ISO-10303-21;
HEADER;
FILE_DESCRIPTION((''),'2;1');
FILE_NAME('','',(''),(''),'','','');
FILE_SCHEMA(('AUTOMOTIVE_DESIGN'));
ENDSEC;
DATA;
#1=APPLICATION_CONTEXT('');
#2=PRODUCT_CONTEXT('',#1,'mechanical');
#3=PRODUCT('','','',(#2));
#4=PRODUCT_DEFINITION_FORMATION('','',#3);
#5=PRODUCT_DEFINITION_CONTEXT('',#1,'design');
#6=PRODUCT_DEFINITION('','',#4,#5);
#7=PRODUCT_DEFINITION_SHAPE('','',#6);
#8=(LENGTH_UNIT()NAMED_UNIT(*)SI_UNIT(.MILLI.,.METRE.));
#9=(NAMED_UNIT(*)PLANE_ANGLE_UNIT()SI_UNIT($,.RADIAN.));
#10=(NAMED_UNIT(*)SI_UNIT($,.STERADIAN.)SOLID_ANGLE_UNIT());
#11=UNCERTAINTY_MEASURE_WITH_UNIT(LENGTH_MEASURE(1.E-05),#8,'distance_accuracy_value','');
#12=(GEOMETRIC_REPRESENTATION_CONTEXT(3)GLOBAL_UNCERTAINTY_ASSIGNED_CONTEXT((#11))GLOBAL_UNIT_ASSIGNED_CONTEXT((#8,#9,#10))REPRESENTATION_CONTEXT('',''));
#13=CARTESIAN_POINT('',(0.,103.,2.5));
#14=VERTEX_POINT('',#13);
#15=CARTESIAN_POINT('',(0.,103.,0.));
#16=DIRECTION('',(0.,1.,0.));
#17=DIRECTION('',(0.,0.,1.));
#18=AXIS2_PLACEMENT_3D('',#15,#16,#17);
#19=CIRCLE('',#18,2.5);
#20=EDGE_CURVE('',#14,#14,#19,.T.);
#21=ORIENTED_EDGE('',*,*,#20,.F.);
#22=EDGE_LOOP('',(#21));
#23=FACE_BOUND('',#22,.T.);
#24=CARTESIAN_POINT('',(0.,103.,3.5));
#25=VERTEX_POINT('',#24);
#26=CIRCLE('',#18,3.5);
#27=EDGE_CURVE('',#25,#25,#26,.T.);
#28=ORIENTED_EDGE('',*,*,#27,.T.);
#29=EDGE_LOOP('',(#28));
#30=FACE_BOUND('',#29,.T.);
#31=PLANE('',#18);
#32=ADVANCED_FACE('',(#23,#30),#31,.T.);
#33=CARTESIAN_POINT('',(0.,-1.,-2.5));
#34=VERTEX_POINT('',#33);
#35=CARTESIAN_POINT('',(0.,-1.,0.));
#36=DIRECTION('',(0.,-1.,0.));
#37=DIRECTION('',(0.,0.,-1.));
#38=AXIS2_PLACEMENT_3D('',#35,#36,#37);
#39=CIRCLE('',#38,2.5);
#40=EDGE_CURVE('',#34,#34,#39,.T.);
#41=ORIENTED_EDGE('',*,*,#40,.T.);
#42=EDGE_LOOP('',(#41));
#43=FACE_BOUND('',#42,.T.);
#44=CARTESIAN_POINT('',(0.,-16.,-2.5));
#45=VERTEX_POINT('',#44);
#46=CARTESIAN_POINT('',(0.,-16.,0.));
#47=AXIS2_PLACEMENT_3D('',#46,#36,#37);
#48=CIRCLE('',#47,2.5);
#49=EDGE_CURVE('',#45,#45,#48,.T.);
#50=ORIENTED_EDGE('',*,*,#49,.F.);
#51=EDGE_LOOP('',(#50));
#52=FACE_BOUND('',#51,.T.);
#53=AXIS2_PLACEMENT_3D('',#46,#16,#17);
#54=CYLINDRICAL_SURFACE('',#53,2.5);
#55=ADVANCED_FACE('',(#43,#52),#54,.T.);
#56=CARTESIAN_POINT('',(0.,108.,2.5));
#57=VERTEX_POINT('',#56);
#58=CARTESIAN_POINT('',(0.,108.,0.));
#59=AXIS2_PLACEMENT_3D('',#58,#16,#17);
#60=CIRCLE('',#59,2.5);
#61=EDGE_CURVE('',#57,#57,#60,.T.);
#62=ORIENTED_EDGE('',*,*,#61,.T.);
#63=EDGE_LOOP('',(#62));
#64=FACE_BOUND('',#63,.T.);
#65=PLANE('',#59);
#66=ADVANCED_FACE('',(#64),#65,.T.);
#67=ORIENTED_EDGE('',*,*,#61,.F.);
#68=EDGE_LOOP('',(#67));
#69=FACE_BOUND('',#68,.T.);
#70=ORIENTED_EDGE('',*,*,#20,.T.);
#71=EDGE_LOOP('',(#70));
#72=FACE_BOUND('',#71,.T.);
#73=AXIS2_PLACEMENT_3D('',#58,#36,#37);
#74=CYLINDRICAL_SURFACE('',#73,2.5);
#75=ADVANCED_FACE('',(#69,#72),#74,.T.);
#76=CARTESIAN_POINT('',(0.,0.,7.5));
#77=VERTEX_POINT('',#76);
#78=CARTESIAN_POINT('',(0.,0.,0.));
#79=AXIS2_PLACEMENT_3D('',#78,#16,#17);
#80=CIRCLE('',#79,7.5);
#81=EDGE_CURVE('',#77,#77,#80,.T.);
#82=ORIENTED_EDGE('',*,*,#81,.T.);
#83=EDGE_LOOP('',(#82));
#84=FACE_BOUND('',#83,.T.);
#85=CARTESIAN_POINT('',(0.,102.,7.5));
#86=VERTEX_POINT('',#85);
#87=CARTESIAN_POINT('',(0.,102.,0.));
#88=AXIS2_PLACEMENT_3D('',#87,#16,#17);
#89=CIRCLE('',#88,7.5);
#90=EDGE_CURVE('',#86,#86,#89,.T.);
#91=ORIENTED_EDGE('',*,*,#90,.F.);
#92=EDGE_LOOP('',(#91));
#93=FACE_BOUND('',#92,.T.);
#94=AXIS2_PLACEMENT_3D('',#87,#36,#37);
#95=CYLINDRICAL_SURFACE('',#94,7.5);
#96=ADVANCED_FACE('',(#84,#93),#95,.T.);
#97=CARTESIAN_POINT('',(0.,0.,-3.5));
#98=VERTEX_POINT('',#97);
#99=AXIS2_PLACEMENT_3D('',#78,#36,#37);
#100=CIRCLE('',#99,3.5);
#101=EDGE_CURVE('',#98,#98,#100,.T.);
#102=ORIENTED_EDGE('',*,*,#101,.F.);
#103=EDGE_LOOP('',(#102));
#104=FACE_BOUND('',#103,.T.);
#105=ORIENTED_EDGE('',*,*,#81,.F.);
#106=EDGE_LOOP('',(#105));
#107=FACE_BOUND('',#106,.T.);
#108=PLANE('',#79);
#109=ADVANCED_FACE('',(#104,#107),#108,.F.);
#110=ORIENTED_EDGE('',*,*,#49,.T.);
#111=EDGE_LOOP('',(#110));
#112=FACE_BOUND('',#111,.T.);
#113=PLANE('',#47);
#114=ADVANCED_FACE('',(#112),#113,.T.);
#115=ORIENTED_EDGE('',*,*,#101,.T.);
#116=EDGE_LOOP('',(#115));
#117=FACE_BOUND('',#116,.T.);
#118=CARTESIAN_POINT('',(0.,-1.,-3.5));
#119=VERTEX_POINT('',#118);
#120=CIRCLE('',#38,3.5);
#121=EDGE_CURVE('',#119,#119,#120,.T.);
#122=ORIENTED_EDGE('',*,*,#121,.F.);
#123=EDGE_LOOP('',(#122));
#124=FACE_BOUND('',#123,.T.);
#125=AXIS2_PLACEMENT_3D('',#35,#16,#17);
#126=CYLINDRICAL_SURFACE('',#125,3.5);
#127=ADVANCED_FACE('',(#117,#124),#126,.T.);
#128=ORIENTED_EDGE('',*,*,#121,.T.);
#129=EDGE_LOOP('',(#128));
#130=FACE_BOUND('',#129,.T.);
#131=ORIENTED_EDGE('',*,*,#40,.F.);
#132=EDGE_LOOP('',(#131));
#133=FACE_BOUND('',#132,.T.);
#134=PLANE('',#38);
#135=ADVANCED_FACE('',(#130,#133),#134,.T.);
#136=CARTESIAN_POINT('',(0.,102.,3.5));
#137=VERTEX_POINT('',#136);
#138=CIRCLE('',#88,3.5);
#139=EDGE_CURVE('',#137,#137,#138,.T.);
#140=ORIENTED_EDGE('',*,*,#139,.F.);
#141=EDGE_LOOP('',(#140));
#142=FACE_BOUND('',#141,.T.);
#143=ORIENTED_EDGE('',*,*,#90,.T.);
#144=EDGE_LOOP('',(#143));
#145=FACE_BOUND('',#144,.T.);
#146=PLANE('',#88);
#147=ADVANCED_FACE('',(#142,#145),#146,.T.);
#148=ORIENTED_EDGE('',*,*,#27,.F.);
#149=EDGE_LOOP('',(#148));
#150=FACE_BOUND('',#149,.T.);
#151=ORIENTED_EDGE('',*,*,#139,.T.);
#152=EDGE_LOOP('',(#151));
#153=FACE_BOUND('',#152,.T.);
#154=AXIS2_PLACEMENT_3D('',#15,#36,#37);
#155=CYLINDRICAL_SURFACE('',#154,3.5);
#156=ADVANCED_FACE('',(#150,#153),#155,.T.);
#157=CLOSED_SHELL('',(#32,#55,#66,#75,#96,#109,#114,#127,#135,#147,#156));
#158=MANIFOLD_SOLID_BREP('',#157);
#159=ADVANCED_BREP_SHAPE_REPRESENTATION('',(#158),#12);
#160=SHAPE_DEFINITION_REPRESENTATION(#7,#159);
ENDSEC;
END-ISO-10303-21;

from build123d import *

# Parameters (mm, degrees)
SKETCH1_R           = 7.5
BOSS_EXTRUDE1_DEPTH = 102
SKETCH2_R           = 3.5
BOSS_EXTRUDE2_DEPTH = 1
SKETCH3_R           = 2.5
BOSS_EXTRUDE3_DEPTH = 15
BOSS_EXTRUDE4_START = 1
SKETCH4_R           = 3.5
BOSS_EXTRUDE4_DEPTH = 1
BOSS_EXTRUDE5_START = 5
SKETCH5_R           = 2.5
BOSS_EXTRUDE5_DEPTH = 5


with BuildPart() as part:
    # Sketch1 → Boss-Extrude1 (new body)
    with BuildSketch(Plane(origin=(0, 0, 0), x_dir=(1, 0, 0), z_dir=(0, 1, 0))):
        with Locations(Location((0, 0, 0), (0, 0, 270))):
            Circle(SKETCH1_R)
    extrude(amount=BOSS_EXTRUDE1_DEPTH)

    # Sketch2 → Boss-Extrude2 (add)
    with BuildSketch(Plane.XZ):
        with Locations(Location((0, 0, 0), (0, 0, 270))):
            Circle(SKETCH2_R)
    extrude(amount=BOSS_EXTRUDE2_DEPTH)

    # Sketch3 → Boss-Extrude3 (add)
    with BuildSketch(Plane.XZ.offset(1)):
        with Locations(Location((0, 0, 0), (0, 0, 270))):
            Circle(SKETCH3_R)
    extrude(amount=BOSS_EXTRUDE3_DEPTH)

    # Sketch4 → Boss-Extrude4 (add)
    with BuildSketch(Plane(origin=(0, 102, 0), x_dir=(1, 0, 0), z_dir=(0, 1, 0)).offset(BOSS_EXTRUDE4_START)):
        with Locations(Location((0, 0, 0), (0, 0, 90))):
            Circle(SKETCH4_R)
    extrude(amount=-BOSS_EXTRUDE4_DEPTH)

    # Sketch5 → Boss-Extrude5 (add)
    with BuildSketch(Plane(origin=(0, 103, 0), x_dir=(1, 0, 0), z_dir=(0, 1, 0)).offset(BOSS_EXTRUDE5_START)):
        with Locations(Location((0, 0, 0), (0, 0, 90))):
            Circle(SKETCH5_R)
    extrude(amount=-BOSS_EXTRUDE5_DEPTH)


solid = part.part
